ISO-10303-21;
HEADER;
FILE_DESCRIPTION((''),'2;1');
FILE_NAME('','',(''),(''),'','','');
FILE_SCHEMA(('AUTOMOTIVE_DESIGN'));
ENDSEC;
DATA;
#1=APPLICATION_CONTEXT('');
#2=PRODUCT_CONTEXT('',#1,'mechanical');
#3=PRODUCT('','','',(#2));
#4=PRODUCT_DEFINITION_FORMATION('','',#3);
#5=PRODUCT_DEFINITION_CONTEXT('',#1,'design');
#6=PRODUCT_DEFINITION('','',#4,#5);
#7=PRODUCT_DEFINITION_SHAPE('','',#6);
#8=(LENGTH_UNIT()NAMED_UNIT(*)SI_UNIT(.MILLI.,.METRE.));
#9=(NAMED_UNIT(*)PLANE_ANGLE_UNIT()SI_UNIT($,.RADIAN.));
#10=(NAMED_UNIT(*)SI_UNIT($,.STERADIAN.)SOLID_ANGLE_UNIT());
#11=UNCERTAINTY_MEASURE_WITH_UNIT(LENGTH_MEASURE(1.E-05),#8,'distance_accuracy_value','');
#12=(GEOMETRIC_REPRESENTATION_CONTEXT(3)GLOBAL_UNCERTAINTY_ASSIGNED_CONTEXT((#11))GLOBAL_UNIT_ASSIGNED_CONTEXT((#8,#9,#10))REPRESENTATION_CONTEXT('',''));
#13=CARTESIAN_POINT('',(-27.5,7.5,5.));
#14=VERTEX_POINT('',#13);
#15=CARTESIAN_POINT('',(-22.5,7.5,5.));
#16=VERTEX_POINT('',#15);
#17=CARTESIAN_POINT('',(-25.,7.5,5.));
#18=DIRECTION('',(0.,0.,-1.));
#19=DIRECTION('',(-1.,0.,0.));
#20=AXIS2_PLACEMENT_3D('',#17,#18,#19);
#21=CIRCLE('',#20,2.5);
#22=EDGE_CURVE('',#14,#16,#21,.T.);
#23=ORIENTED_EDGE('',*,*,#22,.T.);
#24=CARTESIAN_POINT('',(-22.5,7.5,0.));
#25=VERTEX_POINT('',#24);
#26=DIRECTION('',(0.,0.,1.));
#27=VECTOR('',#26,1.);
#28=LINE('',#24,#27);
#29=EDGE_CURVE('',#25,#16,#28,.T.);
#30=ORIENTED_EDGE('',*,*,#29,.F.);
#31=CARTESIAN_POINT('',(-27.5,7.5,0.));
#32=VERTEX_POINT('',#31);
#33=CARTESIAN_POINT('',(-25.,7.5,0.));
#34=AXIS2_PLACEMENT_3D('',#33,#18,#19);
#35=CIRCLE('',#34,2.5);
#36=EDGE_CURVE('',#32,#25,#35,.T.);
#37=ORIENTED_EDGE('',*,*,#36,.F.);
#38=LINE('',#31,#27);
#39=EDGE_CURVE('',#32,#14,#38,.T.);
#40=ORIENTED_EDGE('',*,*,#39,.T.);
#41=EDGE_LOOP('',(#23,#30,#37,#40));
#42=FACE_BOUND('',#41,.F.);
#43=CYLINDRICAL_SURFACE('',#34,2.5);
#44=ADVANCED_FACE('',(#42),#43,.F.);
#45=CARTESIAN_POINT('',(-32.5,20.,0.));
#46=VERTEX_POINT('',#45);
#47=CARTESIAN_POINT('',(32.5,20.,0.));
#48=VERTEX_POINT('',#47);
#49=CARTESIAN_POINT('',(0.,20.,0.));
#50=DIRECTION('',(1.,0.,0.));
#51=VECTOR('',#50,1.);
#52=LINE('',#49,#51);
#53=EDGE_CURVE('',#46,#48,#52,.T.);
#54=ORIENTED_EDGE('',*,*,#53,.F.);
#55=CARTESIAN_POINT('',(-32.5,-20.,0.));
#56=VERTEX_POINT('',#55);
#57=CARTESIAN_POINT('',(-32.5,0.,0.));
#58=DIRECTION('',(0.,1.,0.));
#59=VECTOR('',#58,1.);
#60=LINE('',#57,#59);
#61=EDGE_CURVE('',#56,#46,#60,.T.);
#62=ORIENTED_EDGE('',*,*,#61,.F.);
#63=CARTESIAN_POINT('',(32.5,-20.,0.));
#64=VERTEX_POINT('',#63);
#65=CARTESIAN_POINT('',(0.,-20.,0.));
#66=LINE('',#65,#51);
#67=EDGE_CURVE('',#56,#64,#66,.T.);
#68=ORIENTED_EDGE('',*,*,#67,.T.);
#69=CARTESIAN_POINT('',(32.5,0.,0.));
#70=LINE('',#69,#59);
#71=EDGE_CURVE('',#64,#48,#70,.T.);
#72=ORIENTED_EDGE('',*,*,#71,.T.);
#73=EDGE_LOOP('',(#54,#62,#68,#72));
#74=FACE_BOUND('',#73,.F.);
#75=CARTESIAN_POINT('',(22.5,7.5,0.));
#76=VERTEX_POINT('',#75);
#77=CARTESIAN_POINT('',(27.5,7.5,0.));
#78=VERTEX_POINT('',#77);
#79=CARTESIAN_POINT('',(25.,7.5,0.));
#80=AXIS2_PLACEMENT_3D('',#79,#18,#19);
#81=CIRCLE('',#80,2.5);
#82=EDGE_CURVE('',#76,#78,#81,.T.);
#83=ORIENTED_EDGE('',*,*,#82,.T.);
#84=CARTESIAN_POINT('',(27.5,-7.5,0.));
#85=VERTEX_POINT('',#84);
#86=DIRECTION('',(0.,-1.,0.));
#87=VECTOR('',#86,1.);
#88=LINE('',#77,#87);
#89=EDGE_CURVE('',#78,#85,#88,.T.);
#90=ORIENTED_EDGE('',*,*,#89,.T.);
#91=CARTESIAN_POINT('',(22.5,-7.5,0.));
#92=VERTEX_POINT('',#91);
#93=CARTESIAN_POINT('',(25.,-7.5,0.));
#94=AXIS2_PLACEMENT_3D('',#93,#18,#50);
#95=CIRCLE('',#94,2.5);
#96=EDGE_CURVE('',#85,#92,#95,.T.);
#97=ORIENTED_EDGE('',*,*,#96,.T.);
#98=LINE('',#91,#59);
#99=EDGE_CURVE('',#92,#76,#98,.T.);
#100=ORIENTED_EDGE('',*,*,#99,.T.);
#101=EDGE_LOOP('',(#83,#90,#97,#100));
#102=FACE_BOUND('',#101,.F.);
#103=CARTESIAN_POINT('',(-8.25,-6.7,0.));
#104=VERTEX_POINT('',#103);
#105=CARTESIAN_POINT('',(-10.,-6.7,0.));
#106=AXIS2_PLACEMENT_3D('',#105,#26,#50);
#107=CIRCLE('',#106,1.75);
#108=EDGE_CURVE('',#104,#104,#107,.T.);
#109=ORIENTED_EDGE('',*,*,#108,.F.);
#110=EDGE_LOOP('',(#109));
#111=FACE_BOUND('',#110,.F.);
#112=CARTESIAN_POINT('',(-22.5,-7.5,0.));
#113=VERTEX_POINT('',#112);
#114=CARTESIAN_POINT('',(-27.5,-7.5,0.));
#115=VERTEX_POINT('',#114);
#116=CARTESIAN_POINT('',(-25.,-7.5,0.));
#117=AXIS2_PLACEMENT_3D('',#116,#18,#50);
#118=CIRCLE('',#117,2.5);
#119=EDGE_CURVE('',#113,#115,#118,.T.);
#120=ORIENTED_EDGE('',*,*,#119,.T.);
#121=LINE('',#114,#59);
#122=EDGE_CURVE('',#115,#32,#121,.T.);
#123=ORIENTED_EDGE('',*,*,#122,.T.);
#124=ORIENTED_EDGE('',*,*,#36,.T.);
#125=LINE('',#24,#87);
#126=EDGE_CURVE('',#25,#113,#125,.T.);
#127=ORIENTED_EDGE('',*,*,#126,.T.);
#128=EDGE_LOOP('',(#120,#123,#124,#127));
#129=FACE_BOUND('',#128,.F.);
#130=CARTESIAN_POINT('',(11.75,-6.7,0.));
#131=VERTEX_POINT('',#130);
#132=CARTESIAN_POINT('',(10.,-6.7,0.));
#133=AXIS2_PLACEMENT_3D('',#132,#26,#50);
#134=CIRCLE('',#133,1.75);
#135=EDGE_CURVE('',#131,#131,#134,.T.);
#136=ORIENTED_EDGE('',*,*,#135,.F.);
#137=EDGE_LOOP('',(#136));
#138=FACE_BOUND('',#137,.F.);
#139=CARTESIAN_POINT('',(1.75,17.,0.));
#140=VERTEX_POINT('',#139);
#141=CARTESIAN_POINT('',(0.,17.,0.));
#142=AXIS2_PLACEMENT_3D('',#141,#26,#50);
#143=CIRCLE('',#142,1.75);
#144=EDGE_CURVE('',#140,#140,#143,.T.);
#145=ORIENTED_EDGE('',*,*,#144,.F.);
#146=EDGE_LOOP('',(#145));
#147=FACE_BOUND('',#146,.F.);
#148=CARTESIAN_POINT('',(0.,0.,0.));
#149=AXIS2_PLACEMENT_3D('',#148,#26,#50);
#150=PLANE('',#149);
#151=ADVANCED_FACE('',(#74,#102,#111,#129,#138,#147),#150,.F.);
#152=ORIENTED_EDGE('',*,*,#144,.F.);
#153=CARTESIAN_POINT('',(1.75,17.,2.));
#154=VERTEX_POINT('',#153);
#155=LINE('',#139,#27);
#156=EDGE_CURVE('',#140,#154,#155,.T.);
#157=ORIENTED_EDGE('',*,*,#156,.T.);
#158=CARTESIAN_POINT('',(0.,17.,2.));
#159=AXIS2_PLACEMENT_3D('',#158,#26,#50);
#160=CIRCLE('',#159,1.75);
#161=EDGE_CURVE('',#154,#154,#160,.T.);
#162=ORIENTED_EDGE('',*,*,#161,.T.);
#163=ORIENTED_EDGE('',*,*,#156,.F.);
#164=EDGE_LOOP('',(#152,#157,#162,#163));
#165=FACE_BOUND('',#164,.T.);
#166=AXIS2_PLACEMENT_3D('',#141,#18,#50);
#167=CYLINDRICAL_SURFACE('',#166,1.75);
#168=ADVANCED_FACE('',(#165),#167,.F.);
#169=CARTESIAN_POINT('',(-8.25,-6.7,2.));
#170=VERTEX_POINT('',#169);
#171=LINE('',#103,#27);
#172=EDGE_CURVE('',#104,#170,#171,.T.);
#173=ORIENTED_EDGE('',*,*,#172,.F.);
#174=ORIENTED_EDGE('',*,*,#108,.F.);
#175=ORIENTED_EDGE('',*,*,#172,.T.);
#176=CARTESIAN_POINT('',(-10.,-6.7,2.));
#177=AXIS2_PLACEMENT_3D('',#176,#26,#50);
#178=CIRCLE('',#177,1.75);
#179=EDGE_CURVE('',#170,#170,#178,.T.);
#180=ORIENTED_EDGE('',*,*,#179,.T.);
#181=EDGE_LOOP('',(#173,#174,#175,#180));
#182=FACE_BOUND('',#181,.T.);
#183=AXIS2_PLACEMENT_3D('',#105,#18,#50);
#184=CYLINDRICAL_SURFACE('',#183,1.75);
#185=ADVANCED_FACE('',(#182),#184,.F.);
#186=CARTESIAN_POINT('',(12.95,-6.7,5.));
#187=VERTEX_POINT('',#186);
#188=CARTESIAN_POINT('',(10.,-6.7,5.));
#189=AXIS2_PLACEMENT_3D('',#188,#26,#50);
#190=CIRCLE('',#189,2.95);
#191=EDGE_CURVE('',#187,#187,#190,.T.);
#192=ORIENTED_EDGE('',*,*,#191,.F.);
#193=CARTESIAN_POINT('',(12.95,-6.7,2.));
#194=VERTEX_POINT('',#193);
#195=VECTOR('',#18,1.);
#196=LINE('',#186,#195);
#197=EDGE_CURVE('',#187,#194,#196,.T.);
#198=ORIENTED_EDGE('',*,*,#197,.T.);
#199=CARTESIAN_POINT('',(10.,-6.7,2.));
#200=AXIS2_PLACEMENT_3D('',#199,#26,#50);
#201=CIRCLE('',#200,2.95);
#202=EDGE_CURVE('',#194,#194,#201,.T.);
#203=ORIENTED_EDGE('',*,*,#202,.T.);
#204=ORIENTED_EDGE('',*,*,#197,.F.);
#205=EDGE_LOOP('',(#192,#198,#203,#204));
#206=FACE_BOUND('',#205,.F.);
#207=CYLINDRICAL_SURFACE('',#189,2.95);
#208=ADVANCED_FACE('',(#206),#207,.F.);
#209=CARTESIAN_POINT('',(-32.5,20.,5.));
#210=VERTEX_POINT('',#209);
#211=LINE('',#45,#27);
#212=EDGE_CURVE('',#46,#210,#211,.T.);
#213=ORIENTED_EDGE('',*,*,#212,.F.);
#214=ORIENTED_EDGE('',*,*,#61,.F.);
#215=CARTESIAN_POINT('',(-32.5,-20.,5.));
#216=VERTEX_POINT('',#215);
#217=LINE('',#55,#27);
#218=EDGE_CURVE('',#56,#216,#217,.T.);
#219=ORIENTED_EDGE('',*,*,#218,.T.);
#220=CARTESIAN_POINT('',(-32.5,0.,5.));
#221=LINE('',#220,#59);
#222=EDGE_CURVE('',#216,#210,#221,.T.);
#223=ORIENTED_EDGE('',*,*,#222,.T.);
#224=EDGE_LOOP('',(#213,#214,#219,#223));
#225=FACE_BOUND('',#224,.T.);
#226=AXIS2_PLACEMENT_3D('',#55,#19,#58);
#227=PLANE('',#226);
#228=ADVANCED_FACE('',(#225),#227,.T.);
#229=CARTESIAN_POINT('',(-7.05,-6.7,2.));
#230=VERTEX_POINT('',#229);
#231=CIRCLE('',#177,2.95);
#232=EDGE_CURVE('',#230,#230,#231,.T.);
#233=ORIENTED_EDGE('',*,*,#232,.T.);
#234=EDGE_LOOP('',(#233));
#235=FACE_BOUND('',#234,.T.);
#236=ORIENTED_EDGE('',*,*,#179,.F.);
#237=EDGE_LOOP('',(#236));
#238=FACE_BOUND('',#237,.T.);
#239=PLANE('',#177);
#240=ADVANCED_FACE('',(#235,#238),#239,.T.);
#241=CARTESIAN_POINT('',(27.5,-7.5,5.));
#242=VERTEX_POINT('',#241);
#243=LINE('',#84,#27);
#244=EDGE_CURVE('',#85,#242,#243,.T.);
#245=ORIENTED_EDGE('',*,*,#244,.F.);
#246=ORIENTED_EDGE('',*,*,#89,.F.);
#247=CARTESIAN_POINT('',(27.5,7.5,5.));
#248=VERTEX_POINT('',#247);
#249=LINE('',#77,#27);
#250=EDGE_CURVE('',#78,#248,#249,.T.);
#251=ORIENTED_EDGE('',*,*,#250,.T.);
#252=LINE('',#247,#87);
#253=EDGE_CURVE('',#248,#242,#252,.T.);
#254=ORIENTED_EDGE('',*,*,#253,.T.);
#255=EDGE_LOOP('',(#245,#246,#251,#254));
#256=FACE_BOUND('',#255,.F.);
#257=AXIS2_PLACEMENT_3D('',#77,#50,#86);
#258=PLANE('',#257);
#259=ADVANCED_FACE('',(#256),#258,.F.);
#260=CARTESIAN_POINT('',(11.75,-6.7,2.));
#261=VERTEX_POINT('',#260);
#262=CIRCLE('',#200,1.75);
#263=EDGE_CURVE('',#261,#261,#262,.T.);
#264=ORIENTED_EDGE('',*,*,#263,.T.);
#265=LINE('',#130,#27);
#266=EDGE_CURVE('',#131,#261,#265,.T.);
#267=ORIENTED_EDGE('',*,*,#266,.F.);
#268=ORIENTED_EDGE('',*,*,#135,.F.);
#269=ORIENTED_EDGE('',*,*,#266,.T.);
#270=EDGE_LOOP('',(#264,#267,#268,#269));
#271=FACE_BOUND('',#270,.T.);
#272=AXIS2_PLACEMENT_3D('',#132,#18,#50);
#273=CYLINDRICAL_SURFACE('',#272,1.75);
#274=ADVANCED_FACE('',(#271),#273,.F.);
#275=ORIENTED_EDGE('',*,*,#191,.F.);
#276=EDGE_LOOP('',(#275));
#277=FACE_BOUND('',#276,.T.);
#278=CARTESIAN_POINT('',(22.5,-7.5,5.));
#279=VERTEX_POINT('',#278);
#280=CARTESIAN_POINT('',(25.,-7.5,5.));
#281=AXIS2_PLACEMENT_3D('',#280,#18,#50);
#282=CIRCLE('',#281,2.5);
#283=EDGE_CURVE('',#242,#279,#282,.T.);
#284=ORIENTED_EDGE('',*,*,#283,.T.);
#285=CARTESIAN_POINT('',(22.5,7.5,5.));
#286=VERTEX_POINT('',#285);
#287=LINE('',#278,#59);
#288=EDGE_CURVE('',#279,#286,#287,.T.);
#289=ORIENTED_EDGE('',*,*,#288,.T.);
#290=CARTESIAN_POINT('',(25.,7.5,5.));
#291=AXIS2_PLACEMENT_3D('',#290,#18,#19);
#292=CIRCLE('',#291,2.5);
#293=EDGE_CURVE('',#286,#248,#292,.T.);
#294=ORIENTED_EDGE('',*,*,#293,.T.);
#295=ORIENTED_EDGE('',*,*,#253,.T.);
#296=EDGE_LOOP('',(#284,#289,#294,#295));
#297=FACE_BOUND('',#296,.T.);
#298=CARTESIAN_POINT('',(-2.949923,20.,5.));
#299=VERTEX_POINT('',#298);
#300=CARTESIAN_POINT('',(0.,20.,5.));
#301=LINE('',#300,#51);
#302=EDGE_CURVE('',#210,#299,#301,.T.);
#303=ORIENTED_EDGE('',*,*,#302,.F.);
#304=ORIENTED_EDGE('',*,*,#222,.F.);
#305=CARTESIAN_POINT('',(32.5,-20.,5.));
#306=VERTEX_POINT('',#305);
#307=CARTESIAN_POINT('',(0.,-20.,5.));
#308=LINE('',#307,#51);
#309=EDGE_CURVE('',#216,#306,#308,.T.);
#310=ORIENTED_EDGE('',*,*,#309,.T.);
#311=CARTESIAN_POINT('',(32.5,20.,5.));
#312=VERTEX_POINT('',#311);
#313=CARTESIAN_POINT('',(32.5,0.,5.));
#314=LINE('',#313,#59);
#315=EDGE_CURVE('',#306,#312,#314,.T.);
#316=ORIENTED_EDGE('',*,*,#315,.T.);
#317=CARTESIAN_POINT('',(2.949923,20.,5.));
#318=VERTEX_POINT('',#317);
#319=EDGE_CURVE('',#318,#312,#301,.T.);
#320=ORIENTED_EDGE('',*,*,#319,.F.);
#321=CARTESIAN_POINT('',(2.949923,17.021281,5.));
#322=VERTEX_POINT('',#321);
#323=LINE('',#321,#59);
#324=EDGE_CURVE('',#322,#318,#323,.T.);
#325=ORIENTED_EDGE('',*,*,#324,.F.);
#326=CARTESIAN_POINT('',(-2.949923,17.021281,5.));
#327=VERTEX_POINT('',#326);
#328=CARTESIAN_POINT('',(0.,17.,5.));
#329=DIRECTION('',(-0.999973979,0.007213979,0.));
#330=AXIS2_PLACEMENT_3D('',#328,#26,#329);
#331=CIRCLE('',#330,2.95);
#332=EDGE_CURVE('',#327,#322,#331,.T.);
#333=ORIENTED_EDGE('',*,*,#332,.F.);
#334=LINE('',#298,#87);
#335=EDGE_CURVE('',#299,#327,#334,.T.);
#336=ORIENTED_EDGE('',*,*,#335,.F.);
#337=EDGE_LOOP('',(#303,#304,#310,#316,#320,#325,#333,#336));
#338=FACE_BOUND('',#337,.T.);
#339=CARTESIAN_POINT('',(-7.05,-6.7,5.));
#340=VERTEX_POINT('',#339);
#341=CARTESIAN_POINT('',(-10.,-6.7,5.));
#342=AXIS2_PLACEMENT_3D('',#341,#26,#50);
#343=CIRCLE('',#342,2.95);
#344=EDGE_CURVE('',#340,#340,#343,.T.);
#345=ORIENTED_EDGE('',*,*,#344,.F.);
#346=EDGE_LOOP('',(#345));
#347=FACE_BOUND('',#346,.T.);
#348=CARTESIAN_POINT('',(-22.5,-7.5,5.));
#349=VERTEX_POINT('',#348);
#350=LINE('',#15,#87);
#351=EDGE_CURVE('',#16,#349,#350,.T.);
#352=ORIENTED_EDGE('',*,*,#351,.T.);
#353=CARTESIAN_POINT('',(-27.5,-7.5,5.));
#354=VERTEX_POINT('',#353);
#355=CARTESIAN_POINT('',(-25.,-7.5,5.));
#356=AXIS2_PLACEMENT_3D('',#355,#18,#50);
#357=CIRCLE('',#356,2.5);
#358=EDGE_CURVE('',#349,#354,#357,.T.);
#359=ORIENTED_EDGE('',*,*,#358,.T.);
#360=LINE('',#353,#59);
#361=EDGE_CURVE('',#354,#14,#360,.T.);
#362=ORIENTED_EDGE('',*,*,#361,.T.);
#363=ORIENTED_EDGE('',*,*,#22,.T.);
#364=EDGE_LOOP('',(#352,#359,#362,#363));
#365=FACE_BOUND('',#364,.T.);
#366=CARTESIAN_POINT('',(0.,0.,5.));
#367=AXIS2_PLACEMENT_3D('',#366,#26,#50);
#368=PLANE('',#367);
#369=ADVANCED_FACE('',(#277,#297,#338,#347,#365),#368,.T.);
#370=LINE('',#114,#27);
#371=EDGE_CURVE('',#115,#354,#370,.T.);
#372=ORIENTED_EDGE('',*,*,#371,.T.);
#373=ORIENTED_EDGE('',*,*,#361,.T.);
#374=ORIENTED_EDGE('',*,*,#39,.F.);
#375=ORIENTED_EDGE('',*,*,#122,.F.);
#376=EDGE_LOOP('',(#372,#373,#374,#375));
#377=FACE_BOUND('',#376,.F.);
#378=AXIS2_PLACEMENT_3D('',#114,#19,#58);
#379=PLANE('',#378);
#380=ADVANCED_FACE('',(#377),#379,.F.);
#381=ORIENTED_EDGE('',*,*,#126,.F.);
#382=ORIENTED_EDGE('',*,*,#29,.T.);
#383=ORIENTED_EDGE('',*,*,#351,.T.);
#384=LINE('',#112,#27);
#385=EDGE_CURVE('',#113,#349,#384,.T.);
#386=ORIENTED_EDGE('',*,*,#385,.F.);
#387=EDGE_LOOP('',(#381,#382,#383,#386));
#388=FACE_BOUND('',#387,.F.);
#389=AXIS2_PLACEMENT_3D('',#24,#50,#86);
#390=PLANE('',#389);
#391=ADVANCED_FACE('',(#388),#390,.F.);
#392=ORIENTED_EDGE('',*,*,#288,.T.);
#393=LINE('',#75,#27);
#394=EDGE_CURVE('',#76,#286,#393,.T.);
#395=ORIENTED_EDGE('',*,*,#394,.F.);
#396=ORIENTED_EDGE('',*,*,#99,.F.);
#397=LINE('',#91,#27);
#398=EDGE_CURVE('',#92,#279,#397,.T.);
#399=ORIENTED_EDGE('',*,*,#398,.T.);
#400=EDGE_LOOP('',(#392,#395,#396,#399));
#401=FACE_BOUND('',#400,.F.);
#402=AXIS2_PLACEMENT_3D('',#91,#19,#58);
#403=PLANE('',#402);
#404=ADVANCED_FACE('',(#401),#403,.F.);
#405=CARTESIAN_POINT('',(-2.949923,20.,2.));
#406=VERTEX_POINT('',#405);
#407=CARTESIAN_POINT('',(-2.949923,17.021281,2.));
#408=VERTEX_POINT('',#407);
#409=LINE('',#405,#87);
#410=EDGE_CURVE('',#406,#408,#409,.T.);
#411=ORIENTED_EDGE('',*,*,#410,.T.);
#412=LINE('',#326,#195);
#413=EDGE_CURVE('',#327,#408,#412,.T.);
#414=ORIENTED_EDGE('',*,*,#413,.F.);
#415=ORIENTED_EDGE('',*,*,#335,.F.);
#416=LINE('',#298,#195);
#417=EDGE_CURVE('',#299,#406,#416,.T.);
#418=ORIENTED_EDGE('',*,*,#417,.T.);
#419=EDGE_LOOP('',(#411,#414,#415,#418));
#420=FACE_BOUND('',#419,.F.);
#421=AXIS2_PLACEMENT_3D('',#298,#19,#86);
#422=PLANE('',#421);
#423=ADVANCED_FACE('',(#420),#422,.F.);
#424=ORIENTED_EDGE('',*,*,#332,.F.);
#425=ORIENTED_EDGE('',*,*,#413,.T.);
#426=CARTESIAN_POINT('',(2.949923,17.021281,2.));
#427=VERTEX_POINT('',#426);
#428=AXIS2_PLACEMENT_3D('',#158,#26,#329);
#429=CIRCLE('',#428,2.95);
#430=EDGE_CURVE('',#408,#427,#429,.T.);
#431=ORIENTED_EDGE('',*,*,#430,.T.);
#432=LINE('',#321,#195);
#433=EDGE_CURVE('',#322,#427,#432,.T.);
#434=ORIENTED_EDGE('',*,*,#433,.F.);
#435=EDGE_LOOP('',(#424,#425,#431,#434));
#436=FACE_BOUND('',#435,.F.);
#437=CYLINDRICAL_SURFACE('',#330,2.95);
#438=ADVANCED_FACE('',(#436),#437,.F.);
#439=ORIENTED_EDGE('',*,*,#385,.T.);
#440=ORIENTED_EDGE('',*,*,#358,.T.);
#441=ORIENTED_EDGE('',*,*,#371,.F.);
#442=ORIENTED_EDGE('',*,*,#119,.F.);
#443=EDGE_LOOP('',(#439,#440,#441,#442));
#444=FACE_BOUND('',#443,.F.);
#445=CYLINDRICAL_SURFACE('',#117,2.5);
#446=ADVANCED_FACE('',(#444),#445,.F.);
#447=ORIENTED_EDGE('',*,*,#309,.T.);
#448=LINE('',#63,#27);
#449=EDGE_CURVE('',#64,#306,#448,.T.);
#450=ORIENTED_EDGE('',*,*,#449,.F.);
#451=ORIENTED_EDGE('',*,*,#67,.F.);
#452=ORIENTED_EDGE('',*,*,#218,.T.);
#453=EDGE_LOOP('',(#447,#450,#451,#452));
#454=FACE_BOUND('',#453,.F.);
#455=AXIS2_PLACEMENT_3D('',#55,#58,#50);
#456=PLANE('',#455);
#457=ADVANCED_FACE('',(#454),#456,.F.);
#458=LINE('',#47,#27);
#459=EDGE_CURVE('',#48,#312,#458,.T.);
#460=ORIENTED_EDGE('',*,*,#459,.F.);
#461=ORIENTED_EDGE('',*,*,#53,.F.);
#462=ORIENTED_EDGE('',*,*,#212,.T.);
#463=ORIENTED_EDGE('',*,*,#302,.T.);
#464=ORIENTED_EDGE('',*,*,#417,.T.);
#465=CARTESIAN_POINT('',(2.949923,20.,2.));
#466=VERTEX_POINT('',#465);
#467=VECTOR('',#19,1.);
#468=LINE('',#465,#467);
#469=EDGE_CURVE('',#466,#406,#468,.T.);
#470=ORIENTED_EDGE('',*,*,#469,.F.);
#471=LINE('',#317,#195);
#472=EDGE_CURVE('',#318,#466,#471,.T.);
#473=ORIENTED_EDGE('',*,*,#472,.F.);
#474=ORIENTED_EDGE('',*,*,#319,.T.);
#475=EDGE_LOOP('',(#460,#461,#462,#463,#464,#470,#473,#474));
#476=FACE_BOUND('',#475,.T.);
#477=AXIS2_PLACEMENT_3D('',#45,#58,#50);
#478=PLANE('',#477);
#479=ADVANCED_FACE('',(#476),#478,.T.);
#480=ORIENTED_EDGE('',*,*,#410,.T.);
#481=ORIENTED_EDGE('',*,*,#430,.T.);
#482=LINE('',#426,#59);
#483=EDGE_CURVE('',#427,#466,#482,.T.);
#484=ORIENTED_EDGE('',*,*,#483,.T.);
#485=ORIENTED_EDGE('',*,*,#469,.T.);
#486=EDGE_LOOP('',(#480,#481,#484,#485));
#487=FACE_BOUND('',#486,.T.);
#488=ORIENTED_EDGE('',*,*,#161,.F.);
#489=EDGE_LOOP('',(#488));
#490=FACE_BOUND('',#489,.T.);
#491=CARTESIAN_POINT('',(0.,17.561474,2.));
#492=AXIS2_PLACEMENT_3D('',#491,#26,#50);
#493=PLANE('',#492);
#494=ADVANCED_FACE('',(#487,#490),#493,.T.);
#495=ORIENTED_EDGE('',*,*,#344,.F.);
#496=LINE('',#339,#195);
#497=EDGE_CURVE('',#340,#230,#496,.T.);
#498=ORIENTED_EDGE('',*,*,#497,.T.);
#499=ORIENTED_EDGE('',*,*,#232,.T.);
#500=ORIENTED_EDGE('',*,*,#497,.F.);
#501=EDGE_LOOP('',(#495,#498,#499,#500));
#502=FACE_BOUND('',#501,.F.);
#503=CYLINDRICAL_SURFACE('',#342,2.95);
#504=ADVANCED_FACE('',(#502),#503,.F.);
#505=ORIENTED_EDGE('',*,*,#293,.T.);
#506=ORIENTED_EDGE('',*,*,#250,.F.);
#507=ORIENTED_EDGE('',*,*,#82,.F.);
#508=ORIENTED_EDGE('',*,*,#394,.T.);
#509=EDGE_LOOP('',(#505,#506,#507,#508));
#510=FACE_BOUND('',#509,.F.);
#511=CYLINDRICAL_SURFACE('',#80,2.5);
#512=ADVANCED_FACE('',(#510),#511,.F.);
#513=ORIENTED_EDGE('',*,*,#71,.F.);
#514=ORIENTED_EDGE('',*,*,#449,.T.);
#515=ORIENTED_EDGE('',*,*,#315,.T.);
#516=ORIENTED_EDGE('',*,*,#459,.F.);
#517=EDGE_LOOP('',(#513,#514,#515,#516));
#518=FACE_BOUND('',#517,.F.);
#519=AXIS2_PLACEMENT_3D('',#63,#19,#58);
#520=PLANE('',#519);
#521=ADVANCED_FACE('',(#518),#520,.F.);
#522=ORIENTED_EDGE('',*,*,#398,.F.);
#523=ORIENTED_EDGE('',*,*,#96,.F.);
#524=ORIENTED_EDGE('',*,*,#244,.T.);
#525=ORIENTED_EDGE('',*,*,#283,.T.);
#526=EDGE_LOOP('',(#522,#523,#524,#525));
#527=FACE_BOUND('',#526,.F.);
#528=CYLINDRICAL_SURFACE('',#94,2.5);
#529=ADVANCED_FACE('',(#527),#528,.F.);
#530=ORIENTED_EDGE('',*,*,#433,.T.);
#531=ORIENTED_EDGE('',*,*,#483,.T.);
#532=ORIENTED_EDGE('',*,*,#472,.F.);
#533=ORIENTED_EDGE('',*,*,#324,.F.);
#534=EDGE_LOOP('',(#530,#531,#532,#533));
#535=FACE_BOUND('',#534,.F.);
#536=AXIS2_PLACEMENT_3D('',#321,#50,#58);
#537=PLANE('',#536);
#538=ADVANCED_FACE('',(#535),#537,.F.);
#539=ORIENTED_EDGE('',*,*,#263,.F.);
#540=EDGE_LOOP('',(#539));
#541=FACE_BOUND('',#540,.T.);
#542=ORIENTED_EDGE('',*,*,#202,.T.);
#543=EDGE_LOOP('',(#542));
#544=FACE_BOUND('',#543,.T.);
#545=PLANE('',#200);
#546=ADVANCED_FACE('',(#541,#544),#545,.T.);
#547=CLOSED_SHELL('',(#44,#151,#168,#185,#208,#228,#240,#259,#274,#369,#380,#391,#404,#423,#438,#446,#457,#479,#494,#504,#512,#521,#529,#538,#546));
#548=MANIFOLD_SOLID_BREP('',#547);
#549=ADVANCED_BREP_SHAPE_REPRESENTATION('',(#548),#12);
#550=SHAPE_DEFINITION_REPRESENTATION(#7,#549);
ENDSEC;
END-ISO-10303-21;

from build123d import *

# Parameters (mm, degrees)
F0_W     = 65
F0_H     = 40
F0_R     = 1.75
F1_DEPTH = 5
F2_R     = 2.95
F2_R_2   = 1.75
F3_DEPTH = 3


with BuildPart() as f1:
    # F0 (on Top) → F1 (new body)
    with BuildSketch(Plane.XY):
        Rectangle(F0_W, F0_H)
        with Locations((-10, -6.7)):
            Circle(F0_R, mode=Mode.SUBTRACT)
        with Locations((10, -6.7)):
            Circle(F0_R, mode=Mode.SUBTRACT)
        with BuildLine():
            ThreePointArc((-22.5, -7.5), (-25, -10), (-27.5, -7.5))
            Line((-27.5, -7.5), (-27.5, 7.5))
            ThreePointArc((-27.5, 7.5), (-25, 10), (-22.5, 7.5))
            Line((-22.5, 7.5), (-22.5, -7.5))
        make_face(mode=Mode.SUBTRACT)
        with BuildLine():
            ThreePointArc((27.5, -7.5), (25, -10), (22.5, -7.5))
            Line((22.5, -7.5), (22.5, 7.5))
            ThreePointArc((22.5, 7.5), (25, 10), (27.5, 7.5))
            Line((27.5, 7.5), (27.5, -7.5))
        make_face(mode=Mode.SUBTRACT)
        with Locations((0, 17)):
            Circle(F0_R, mode=Mode.SUBTRACT)
    extrude(amount=F1_DEPTH)

    # F2 (on face) → F3 (cut)
    with BuildSketch(Plane.XY.offset(5)):
        with Locations((10, -6.7)):
            Circle(F2_R)
        with Locations((10, -6.7)):
            Circle(F2_R_2, mode=Mode.SUBTRACT)
        with Locations((-10, -6.7)):
            Circle(F2_R_2)
        with Locations((-10, -6.7)):
            Circle(F2_R)
        with Locations((-10, -6.7)):
            Circle(F2_R_2, mode=Mode.SUBTRACT)
        with BuildLine():
            Line((-2.949923, 20), (-2.949923, 17.021281))
            ThreePointArc((-2.949923, 17.021281), (0, 14.05), (2.949923, 17.021281))
            Line((2.949923, 17.021281), (2.949923, 20))
            Line((2.949923, 20), (-2.949923, 20))
        make_face()
        with Locations((0, 17)):
            Circle(F2_R_2, mode=Mode.SUBTRACT)
    extrude(amount=-F3_DEPTH, mode=Mode.SUBTRACT)


solid = f1.part
